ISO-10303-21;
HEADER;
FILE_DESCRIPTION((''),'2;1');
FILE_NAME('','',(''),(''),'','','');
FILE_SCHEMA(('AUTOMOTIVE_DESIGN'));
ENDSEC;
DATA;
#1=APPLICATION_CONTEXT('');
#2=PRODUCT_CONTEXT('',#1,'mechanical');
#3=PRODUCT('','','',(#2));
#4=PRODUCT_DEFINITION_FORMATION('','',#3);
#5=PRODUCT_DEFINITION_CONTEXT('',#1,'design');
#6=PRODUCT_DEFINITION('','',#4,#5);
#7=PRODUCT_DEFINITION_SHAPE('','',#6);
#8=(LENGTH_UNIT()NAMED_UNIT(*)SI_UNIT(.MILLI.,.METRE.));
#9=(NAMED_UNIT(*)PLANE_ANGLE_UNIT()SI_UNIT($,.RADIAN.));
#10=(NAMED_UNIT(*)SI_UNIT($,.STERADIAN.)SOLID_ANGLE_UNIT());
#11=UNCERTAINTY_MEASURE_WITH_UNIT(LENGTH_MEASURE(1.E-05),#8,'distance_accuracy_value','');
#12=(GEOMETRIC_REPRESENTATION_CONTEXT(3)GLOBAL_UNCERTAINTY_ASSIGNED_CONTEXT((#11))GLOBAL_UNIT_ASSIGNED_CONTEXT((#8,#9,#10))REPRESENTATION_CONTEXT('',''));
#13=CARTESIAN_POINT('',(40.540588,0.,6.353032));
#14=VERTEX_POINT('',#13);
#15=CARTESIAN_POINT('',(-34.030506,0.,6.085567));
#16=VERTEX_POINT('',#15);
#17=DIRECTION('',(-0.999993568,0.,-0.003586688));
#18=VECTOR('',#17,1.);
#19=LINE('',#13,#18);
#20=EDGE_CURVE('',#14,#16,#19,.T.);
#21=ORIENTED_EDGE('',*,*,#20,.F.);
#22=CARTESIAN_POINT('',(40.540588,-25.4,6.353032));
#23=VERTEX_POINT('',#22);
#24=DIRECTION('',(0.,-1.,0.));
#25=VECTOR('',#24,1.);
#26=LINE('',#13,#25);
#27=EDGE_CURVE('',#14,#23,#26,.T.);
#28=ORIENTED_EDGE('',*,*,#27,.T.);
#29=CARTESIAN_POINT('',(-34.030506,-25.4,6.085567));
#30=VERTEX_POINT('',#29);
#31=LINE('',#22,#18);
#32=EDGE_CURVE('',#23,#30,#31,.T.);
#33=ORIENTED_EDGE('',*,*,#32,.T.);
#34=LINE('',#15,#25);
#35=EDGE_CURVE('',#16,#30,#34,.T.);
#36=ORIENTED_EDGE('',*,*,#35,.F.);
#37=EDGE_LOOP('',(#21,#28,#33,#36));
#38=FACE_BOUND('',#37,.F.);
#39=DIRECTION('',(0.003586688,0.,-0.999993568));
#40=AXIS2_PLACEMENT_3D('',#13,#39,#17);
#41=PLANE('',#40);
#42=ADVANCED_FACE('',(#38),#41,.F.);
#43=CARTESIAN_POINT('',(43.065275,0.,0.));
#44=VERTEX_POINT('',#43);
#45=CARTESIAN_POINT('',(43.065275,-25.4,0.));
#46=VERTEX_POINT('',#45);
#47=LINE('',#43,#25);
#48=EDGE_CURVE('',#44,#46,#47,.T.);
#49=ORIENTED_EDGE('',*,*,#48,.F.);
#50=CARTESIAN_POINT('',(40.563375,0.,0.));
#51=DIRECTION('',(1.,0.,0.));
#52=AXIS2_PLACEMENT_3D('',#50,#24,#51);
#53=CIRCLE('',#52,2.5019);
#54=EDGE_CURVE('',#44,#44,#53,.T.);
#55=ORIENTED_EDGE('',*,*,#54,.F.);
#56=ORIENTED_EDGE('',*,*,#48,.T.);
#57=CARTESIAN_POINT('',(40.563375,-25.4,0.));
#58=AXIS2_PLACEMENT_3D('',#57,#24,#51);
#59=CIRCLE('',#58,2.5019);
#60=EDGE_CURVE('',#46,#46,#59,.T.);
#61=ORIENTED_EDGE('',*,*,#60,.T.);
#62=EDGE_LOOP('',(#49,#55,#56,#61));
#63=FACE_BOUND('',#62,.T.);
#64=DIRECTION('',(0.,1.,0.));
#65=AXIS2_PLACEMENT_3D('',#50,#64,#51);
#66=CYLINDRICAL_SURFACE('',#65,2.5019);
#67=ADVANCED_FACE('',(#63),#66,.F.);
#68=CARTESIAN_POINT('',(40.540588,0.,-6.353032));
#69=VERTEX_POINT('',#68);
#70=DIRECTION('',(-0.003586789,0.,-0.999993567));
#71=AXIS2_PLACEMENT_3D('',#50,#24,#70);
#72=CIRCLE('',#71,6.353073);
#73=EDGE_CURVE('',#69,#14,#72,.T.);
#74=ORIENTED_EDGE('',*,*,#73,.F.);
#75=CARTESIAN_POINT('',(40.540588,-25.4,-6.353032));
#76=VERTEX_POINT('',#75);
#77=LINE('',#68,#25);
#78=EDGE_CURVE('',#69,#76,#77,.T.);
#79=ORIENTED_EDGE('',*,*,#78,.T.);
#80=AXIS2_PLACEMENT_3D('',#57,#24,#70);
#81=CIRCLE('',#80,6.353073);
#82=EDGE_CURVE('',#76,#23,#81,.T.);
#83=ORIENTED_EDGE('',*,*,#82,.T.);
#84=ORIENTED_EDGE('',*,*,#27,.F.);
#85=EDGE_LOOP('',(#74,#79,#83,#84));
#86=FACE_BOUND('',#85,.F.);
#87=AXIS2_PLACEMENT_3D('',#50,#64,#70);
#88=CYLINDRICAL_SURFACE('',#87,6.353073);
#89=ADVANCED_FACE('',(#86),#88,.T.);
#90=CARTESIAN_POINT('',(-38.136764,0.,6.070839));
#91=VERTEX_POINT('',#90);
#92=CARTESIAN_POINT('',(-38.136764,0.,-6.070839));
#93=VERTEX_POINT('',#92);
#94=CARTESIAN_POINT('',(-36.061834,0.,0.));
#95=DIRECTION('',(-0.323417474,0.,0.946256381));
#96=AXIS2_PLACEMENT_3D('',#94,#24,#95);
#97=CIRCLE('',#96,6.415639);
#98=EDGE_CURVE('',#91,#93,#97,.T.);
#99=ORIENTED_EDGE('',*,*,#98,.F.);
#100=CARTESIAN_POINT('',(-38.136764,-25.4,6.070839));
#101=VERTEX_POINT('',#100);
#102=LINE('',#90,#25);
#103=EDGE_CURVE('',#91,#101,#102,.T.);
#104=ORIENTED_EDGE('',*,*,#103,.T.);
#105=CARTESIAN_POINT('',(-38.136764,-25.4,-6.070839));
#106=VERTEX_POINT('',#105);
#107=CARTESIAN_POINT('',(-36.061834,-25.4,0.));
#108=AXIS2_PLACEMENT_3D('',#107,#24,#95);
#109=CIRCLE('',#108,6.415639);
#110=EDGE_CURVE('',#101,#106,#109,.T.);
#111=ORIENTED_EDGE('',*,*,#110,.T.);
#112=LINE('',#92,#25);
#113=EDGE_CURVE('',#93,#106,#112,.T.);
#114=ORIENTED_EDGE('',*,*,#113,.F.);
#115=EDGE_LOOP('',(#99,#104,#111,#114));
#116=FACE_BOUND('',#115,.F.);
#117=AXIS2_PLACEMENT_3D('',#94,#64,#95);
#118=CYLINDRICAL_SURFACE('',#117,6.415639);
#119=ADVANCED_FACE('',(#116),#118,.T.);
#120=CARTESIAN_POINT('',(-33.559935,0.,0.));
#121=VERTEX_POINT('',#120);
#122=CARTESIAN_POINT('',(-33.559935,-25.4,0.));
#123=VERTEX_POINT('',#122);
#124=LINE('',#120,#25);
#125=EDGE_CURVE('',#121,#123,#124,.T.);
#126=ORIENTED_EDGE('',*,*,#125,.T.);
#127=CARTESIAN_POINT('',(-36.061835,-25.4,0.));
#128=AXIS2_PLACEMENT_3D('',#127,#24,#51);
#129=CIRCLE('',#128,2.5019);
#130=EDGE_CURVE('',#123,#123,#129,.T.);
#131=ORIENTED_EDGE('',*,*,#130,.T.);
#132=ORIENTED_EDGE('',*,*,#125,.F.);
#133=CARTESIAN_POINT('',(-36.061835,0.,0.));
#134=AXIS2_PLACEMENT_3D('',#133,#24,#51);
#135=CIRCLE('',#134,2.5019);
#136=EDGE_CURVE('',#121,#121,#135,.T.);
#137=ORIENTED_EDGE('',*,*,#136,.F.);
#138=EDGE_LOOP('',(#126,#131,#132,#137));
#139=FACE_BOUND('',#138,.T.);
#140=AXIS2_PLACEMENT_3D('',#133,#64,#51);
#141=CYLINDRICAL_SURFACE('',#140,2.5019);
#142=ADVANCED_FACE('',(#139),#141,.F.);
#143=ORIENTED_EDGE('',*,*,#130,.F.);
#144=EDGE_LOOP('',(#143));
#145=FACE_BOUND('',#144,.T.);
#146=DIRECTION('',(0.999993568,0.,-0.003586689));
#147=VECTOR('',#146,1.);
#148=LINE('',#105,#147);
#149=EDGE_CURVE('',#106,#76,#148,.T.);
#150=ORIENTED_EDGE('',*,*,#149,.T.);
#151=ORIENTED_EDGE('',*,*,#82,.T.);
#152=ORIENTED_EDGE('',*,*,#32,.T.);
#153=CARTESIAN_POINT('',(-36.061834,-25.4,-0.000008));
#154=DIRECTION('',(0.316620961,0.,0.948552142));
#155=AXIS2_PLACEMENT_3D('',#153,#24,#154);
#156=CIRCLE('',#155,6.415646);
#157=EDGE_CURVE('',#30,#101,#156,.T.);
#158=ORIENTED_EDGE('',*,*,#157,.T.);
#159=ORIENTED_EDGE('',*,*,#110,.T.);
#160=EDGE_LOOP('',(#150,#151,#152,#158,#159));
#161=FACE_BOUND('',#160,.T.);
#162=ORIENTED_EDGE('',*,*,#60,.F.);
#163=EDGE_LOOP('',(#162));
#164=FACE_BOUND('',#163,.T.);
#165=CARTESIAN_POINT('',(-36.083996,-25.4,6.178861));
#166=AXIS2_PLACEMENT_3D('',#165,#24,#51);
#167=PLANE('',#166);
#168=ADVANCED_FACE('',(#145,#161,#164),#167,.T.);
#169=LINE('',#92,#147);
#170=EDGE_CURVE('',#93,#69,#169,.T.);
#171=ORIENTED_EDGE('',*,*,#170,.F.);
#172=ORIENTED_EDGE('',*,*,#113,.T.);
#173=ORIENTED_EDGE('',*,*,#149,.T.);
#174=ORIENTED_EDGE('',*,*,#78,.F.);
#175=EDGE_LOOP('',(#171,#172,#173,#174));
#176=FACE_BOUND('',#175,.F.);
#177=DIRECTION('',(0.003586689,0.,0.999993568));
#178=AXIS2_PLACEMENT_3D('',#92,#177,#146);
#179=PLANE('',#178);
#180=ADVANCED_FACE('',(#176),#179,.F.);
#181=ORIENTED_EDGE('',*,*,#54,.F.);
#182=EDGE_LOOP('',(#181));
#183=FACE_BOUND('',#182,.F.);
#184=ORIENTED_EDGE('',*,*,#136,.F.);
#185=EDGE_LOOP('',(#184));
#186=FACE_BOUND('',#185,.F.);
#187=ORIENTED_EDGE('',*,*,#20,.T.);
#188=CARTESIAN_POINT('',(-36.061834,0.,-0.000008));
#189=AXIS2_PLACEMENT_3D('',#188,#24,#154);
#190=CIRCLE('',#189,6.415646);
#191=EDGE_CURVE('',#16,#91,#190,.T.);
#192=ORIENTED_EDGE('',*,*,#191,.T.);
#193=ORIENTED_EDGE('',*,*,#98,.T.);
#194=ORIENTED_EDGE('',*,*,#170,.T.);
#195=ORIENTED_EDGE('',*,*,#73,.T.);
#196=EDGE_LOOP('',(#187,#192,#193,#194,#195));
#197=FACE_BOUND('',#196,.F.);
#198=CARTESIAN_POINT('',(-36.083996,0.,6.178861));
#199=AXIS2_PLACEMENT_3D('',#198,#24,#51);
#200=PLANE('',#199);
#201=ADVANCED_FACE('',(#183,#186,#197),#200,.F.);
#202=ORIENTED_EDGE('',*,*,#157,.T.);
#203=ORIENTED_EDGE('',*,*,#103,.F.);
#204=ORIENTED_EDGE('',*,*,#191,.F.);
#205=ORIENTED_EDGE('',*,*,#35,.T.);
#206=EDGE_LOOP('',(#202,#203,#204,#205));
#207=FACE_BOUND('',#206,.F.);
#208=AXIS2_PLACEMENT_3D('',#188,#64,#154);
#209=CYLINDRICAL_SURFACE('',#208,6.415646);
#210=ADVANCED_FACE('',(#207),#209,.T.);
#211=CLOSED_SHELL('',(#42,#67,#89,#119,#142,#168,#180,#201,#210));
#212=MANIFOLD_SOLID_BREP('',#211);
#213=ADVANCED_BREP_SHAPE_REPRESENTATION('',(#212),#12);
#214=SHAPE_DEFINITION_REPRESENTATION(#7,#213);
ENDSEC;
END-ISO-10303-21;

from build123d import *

# Parameters (mm, degrees)
F0_R     = 2.5019
F1_DEPTH = 25.4


with BuildPart() as f1:
    # F0 (on Front) → F1 (new body)
    with BuildSketch(Plane.XZ):
        with BuildLine():
            Line((-38.136764, 6.070839), (-34.030506, 6.085567))
            ThreePointArc((-34.030506, 6.085567), (-36.084845, 6.415597), (-38.136764, 6.070839))
        make_face()
        with BuildLine():
            Line((40.540588, 6.353032), (-34.030506, 6.085567))
            Line((-34.030506, 6.085567), (-38.136764, 6.070839))
            ThreePointArc((-38.136764, 6.070839), (-42.477473, 0), (-38.136764, -6.070839))
            Line((-38.136764, -6.070839), (40.540588, -6.353032))
            ThreePointArc((40.540588, -6.353032), (46.916448, 0), (40.540588, 6.353032))
        make_face()
        with Locations((-36.061835, 0)):
            Circle(F0_R, mode=Mode.SUBTRACT)
        with Locations((40.563375, 0)):
            Circle(F0_R, mode=Mode.SUBTRACT)
    extrude(amount=F1_DEPTH)


solid = f1.part
